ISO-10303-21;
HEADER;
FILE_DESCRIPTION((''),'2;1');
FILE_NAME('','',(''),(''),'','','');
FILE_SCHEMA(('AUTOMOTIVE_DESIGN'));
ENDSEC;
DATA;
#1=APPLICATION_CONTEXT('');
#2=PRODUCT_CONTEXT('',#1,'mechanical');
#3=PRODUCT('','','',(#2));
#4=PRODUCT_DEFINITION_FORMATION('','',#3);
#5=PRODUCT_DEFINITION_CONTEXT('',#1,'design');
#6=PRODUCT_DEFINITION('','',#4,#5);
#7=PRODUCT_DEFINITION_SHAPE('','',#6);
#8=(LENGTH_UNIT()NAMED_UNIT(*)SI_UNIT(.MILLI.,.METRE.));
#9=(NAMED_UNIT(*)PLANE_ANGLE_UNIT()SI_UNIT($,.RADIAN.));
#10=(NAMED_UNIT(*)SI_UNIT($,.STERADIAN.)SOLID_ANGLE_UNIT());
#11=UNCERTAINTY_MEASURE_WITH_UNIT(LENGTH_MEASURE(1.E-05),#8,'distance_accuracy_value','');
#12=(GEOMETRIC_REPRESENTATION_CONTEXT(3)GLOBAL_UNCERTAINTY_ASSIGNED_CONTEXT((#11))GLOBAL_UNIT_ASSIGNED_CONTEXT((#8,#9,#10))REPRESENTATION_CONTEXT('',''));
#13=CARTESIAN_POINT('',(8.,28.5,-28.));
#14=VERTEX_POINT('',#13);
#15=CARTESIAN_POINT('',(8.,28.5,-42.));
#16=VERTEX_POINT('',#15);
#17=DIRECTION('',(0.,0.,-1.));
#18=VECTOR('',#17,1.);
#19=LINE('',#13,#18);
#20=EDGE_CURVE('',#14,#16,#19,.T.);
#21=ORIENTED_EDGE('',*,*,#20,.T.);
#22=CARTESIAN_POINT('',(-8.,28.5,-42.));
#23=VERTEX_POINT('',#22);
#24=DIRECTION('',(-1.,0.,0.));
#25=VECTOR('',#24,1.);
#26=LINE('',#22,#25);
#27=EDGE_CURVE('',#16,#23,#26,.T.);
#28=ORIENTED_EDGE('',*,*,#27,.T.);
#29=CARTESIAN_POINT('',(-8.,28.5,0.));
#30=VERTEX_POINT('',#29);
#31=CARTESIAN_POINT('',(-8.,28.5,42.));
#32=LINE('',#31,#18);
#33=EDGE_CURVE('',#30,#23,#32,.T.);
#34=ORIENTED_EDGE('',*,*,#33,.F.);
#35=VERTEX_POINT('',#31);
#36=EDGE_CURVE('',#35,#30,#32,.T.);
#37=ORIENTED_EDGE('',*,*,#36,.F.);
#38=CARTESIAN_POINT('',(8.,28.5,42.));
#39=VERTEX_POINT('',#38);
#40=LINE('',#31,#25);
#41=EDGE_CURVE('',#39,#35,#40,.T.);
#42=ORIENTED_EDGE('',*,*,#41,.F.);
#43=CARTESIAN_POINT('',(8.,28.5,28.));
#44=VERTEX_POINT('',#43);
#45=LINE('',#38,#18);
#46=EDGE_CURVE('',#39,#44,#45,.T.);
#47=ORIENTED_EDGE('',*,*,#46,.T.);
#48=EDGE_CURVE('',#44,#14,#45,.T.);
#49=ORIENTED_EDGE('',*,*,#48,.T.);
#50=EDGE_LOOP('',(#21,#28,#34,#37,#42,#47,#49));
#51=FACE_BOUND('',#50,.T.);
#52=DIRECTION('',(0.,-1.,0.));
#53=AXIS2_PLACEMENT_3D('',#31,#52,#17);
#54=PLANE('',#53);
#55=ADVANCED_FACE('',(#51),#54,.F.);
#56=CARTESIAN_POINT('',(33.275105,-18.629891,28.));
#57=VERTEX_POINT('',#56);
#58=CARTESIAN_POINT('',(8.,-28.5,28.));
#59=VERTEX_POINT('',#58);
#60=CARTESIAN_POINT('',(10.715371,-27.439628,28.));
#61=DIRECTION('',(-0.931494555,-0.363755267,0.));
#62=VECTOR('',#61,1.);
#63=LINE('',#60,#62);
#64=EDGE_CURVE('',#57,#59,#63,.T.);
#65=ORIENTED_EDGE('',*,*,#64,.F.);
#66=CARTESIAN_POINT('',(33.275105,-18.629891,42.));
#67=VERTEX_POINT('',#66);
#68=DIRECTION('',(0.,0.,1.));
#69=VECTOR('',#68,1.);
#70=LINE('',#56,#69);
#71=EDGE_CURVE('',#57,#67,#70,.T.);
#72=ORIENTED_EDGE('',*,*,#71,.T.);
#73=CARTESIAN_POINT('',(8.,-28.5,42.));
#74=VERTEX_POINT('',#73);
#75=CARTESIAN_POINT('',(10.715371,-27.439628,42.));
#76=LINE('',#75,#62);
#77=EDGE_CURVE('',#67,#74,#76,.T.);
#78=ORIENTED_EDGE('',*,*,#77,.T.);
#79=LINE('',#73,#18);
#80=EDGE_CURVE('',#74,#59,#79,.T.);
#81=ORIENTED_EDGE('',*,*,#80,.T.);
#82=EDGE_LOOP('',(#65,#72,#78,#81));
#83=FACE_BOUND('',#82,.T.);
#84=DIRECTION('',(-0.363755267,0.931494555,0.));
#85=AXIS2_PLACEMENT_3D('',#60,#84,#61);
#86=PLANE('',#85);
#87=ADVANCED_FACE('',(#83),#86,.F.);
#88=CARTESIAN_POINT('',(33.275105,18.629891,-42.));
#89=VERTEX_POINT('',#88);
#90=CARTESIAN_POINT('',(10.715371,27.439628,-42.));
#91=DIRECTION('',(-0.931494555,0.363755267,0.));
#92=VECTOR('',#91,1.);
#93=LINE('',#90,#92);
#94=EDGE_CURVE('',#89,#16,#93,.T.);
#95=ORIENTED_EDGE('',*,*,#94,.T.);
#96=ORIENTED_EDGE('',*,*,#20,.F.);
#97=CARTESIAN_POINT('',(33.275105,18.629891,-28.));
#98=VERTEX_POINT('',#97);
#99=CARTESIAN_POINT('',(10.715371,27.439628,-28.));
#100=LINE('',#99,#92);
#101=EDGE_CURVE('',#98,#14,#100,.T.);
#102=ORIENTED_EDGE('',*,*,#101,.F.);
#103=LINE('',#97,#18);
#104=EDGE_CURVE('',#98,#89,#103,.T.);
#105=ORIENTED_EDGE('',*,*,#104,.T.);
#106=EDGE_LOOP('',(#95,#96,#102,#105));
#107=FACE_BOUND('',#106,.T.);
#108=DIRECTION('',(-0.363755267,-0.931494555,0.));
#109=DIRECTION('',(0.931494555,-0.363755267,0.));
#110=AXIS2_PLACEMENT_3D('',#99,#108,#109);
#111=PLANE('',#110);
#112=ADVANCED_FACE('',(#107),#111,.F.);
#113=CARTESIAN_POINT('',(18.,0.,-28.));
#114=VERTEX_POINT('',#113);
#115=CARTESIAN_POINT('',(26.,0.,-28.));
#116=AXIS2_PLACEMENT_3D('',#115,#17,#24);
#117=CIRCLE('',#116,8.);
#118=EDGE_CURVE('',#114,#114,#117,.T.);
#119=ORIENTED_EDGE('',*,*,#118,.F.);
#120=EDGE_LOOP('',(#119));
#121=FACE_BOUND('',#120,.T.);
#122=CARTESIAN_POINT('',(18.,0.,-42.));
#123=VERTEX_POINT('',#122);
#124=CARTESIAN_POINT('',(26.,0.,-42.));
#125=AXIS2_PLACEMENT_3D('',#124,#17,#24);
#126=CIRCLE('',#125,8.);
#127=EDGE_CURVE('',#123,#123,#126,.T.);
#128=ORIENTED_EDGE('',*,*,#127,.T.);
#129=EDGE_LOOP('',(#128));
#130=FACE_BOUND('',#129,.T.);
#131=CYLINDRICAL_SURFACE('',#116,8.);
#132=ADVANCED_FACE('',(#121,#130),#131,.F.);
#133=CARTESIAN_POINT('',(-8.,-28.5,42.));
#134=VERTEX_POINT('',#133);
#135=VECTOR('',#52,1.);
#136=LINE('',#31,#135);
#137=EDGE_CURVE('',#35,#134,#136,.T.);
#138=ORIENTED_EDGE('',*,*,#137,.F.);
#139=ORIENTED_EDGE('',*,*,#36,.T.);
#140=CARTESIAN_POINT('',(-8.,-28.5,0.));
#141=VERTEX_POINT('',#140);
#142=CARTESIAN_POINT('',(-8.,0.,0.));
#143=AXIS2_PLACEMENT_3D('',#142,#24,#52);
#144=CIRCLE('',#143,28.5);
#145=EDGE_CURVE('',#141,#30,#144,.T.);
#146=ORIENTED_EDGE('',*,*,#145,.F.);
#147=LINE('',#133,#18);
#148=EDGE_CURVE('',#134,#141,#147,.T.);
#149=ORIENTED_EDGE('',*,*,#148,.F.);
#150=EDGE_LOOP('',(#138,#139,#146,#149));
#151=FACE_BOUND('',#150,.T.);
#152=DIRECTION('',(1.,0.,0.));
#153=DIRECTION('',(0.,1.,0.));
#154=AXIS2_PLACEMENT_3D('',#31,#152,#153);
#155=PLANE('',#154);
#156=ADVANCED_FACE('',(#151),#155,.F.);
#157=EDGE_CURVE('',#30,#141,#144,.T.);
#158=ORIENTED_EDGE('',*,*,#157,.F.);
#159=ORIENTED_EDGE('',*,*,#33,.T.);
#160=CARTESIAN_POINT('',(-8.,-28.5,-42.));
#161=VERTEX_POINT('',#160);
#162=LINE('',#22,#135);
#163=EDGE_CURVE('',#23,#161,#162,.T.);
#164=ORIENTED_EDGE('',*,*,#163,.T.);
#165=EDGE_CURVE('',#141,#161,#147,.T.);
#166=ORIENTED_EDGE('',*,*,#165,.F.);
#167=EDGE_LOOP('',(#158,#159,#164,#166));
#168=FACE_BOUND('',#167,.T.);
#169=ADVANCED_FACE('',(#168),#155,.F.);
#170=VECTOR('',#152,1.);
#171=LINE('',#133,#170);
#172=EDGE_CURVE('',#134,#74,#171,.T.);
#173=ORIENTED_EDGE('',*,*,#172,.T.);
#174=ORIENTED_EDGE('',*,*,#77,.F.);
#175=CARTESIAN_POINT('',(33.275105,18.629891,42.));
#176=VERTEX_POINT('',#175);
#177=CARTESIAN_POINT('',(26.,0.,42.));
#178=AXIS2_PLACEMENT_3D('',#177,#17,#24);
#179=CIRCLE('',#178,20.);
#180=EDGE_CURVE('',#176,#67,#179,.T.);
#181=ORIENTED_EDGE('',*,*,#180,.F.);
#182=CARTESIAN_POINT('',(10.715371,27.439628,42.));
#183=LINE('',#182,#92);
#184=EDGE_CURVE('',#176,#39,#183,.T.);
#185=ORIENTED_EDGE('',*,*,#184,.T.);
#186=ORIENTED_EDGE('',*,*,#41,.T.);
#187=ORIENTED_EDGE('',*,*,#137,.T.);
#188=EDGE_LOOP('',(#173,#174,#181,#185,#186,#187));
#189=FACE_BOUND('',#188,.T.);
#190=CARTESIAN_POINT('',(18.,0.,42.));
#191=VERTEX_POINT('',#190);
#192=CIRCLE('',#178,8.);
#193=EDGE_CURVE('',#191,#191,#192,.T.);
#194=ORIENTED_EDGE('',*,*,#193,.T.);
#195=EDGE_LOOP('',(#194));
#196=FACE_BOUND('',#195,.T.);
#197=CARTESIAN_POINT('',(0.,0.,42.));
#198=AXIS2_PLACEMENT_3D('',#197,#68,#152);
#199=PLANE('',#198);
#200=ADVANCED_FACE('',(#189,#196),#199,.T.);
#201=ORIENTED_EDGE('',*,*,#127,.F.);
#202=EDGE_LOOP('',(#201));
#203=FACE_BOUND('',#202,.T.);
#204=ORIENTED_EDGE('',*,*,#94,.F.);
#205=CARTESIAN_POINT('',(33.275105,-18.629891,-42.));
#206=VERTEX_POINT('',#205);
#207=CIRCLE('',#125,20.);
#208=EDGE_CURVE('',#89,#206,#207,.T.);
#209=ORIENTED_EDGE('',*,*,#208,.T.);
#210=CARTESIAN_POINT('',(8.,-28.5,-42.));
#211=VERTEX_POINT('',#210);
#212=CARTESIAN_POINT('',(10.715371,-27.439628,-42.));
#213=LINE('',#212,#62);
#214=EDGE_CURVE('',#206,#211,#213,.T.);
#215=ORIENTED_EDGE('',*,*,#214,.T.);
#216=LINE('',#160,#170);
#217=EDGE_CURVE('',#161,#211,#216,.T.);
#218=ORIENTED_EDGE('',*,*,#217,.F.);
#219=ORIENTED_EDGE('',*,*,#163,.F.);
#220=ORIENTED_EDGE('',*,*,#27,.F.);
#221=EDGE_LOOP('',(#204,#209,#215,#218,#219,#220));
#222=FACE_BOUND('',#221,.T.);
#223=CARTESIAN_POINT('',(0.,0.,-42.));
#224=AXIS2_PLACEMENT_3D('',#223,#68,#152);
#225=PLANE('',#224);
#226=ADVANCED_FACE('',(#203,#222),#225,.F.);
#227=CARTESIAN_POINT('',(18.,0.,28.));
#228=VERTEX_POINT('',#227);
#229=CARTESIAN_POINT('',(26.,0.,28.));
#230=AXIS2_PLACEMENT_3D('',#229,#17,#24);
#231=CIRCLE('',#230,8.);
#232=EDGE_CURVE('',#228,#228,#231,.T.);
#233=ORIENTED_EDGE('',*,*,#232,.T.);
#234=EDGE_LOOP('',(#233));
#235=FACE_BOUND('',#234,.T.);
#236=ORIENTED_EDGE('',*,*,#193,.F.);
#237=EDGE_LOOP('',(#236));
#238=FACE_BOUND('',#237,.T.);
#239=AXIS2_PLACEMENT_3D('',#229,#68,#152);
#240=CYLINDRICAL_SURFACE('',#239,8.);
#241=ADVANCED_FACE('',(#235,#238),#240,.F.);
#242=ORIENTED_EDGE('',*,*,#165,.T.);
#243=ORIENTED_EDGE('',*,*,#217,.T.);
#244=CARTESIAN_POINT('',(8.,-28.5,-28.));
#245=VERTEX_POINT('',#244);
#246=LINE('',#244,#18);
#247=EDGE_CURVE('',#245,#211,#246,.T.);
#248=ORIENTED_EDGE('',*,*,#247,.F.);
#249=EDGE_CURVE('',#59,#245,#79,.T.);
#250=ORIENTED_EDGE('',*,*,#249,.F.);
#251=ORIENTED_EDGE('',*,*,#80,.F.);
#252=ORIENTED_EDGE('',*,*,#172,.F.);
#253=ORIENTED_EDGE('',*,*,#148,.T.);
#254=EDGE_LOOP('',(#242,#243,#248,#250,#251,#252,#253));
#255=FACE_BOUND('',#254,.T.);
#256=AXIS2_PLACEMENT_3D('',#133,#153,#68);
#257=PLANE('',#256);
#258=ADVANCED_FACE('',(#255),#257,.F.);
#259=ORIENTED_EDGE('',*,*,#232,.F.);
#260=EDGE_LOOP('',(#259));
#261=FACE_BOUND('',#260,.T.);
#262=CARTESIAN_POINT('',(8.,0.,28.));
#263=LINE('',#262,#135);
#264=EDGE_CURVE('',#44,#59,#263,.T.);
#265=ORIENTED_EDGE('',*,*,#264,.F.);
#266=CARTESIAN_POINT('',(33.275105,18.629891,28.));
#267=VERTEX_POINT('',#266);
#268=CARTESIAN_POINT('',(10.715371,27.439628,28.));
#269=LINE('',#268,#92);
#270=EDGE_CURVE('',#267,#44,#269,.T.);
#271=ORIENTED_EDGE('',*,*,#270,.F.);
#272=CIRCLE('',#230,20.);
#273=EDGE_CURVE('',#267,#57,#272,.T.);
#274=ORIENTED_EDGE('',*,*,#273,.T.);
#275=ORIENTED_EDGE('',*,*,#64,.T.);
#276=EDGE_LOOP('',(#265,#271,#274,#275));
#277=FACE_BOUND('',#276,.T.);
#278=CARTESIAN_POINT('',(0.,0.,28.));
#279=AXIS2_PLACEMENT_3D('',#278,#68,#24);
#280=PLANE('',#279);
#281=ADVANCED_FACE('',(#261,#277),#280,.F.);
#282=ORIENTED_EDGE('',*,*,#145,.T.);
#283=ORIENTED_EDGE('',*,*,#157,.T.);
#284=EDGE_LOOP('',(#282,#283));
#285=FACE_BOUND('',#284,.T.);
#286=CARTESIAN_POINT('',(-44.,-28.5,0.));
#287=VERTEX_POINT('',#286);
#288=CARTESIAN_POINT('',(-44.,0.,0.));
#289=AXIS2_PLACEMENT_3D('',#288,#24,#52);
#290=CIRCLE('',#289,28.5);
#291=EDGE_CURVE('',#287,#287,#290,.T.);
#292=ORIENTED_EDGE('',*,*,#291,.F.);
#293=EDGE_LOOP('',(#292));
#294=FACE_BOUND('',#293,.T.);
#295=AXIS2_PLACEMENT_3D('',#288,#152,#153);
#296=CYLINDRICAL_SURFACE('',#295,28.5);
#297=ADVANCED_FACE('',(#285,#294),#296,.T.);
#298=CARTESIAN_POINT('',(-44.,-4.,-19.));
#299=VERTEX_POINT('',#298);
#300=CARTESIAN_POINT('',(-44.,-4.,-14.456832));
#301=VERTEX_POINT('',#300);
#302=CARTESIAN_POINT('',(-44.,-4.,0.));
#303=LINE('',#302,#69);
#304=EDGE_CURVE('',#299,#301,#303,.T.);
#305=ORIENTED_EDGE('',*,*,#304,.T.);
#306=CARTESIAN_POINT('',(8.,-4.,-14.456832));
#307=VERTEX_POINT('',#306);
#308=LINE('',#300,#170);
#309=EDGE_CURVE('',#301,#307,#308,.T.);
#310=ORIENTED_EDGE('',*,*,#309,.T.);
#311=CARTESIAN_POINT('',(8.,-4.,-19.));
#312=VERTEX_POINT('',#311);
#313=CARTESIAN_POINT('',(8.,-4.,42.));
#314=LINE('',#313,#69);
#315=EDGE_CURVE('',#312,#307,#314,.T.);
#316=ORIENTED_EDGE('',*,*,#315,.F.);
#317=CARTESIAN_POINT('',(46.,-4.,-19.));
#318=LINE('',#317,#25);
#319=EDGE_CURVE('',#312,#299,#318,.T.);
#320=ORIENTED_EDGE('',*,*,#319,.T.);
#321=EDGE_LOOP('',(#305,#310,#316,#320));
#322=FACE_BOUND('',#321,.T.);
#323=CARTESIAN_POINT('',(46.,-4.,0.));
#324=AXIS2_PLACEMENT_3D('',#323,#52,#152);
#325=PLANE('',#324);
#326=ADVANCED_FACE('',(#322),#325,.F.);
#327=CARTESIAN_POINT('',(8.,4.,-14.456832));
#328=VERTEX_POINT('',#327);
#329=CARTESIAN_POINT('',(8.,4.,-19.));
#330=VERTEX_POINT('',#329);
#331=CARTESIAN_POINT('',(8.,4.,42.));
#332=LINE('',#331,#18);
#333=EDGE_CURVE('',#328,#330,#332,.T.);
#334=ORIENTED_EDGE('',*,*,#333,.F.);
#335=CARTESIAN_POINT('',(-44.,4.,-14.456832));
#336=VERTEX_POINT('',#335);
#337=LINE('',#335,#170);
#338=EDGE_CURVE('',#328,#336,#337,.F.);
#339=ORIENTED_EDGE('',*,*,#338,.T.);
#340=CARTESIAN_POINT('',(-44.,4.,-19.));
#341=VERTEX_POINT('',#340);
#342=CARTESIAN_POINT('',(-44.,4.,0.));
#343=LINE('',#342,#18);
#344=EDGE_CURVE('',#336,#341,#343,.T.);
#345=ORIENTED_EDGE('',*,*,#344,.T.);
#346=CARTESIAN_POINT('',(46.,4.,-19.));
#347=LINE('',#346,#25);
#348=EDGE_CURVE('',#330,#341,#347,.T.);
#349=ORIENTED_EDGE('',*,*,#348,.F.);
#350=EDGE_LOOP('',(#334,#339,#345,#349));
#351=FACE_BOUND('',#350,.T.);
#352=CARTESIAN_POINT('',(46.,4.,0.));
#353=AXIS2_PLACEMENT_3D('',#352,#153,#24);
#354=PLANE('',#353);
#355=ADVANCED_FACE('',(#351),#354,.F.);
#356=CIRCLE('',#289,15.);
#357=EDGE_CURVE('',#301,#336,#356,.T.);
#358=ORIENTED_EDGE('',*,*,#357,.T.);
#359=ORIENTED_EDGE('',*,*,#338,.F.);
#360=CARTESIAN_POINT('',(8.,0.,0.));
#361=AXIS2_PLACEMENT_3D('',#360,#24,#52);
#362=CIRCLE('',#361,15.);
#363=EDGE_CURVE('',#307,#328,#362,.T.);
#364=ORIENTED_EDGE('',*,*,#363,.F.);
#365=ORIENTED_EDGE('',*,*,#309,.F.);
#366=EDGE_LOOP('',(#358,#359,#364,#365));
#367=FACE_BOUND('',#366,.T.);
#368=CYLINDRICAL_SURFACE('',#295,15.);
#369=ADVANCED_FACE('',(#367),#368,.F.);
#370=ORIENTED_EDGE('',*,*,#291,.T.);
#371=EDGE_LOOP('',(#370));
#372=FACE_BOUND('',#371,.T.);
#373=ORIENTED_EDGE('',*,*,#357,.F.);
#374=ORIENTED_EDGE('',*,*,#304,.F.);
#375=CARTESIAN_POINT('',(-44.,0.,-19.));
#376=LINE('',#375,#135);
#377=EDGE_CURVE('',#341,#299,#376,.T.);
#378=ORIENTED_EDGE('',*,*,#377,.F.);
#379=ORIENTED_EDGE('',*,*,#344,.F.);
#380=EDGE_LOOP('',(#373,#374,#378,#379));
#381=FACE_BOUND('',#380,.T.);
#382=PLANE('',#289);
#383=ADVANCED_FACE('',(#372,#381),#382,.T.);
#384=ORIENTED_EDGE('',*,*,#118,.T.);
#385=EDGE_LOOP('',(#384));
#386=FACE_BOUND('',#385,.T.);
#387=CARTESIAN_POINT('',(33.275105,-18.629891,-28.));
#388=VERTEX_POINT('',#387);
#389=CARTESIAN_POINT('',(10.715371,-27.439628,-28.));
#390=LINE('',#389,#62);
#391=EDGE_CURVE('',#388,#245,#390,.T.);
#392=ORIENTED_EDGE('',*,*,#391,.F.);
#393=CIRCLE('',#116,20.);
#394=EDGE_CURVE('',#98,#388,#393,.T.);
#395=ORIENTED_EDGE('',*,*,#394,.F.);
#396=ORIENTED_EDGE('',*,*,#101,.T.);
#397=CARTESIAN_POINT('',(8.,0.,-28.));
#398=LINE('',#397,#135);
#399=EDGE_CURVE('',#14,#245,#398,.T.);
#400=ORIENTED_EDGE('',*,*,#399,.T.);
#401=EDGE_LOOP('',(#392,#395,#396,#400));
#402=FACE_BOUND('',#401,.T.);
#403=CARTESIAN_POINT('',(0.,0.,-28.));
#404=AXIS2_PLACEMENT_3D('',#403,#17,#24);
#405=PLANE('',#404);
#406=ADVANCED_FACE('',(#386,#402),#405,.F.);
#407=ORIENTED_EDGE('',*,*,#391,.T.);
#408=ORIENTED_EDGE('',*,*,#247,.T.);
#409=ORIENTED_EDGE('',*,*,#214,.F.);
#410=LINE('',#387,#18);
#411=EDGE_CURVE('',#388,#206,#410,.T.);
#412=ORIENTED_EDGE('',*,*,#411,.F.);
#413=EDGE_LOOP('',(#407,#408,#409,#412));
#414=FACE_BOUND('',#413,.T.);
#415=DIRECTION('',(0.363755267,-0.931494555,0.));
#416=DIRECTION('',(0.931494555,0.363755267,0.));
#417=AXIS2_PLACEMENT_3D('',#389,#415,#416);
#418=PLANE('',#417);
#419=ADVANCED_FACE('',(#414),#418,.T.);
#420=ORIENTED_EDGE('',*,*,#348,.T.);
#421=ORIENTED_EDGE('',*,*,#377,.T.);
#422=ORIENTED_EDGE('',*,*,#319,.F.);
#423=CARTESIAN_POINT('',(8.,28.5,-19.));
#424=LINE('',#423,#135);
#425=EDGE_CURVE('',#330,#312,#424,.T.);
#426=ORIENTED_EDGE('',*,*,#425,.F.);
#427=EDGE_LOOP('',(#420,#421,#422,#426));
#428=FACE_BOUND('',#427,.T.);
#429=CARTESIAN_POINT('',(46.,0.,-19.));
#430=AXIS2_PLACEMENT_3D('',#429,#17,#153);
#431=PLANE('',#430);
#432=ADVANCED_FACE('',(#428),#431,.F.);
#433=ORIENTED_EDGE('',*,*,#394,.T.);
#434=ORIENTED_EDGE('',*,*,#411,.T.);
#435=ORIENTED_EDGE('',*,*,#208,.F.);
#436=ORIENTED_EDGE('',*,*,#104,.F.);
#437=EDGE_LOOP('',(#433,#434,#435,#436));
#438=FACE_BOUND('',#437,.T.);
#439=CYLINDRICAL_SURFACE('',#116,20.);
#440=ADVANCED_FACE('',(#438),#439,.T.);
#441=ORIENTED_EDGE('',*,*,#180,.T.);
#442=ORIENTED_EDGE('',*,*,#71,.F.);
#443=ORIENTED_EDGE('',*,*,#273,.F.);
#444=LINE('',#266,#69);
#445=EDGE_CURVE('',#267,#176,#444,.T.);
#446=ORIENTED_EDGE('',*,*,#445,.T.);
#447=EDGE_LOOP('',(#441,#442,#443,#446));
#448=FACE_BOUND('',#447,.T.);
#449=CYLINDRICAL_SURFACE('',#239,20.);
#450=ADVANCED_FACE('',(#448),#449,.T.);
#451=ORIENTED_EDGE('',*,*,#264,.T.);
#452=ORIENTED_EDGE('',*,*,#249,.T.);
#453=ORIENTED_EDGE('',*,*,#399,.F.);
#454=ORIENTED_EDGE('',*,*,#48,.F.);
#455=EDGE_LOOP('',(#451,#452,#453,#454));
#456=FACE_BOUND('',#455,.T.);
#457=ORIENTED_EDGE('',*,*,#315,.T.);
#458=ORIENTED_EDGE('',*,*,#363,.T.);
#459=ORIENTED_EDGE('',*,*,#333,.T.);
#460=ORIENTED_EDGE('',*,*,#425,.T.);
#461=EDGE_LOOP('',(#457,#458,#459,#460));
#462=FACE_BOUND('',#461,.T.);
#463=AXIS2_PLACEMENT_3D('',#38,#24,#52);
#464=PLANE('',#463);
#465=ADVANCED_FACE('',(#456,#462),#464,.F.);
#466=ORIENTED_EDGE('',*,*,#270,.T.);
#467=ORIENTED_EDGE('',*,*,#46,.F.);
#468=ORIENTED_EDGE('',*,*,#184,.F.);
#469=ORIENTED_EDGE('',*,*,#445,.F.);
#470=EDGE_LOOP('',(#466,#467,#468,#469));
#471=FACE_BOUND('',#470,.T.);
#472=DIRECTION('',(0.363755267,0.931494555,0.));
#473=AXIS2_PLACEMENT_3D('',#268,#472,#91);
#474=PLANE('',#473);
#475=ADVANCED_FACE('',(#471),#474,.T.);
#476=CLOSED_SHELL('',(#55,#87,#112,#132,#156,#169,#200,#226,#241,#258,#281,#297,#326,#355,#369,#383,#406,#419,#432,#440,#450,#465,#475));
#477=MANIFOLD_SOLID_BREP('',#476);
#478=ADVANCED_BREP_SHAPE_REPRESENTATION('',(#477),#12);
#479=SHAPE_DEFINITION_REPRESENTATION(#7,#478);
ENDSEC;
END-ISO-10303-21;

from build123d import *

# Parameters (mm, degrees)
SKETCH1_W               = 16
SKETCH1_H               = 57
BOSS_EXTRUDE1_DEPTH     = 42
SKETCH3_R               = 8
BOSS_EXTRUDE4_DEPTH     = 14
SKETCH6_R               = 28.5
SKETCH6_R_2             = 15
BOSS_EXTRUDE5_DEPTH     = 36
CUT_EXTRUDE1_START      = -36
SKETCH8_R               = 15
CUT_EXTRUDE1_DEPTH      = 36
CUT_EXTRUDE3_DEPTH      = 104.325940596
CUT_EXTRUDE3_DEPTH_BACK = 104.325940596


with BuildPart() as part:
    # Sketch1 → Boss-Extrude1 (new, symmetric)
    with BuildSketch(Plane.XY):
        Rectangle(SKETCH1_W, SKETCH1_H)
    extrude(amount=BOSS_EXTRUDE1_DEPTH, both=True)

    # Sketch3 → Boss-Extrude4 (add)
    with BuildSketch(Plane(origin=(0, 0, -42), x_dir=(-1, 0, 0), z_dir=(0, 0, -1))):
        with BuildLine():
            Line((-33.275105345, 18.629891095), (-8, 28.5))
            Line((-8, 28.5), (-8, -28.5))
            Line((-8, -28.5), (-33.275105345, -18.629891095))
            ThreePointArc((-33.275105345, -18.629891095), (-46, 0), (-33.275105345, 18.629891095))
        make_face()
        with Locations((-26, 0)):
            Circle(SKETCH3_R, mode=Mode.SUBTRACT)
    boss_extrude4 = extrude(amount=-BOSS_EXTRUDE4_DEPTH)

    # Mirror6: Boss-Extrude4 across plane
    add(boss_extrude4.mirror(Plane.XY))

    # Sketch6 → Boss-Extrude5 (add)
    with BuildSketch(Plane.ZY.offset(8)):
        with Locations(Location((0, 0, 0), (0, 0, 270))):
            Circle(SKETCH6_R)
        with Locations(Location((0, 0, 0), (0, 0, 270))):
            Circle(SKETCH6_R_2, mode=Mode.SUBTRACT)
    extrude(amount=BOSS_EXTRUDE5_DEPTH)

    # Sketch8 → Cut-Extrude1 (cut)
    with BuildSketch(Plane.ZY.offset(8).offset(CUT_EXTRUDE1_START)):
        with Locations(Location((0, 0, 0), (0, 0, 270))):
            Circle(SKETCH8_R)
    extrude(amount=CUT_EXTRUDE1_DEPTH, mode=Mode.SUBTRACT)

    # Sketch9 → Cut-Extrude3 (cut, two sides: drawn at the far end of the back side and taken through both)
    with BuildSketch(Plane.ZY.offset(44).offset(-CUT_EXTRUDE3_DEPTH_BACK)):
        with BuildLine():
            ThreePointArc((-14.456832295, -4), (-14.863587797, -2.018355219), (-15, 0))
            Line((-15, 0), (-19, 0))
            Line((-19, 0), (-19, -4))
            Line((-19, -4), (-14.456832295, -4))
        make_face()
        with BuildLine():
            Line((-19, 0), (-15, 0))
            ThreePointArc((-15, 0), (-14.863587797, 2.018355219), (-14.456832295, 4))
            Line((-14.456832295, 4), (-19, 4))
            Line((-19, 4), (-19, 0))
        make_face()
        with BuildLine():
            ThreePointArc((-14.456832295, 4), (-14.863587797, 2.018355219), (-15, 0))
            ThreePointArc((-15, 0), (-14.863587797, -2.018355219), (-14.456832295, -4))
            Line((-14.456832295, -4), (-12.246493105, -4))
            Line((-12.246493105, -4), (-12.246493105, 4))
            Line((-12.246493105, 4), (-14.456832295, 4))
        make_face()
        with BuildLine():
            ThreePointArc((15, 0), (2.018355219, 14.863587797), (-14.456832295, 4))
            Line((-14.456832295, 4), (-12.246493105, 4))
            Line((-12.246493105, 4), (-12.246493105, -4))
            Line((-12.246493105, -4), (-14.456832295, -4))
            ThreePointArc((-14.456832295, -4), (2.018355219, -14.863587797), (15, 0))
        make_face()
    extrude(amount=CUT_EXTRUDE3_DEPTH + CUT_EXTRUDE3_DEPTH_BACK, mode=Mode.SUBTRACT)


solid = part.part
